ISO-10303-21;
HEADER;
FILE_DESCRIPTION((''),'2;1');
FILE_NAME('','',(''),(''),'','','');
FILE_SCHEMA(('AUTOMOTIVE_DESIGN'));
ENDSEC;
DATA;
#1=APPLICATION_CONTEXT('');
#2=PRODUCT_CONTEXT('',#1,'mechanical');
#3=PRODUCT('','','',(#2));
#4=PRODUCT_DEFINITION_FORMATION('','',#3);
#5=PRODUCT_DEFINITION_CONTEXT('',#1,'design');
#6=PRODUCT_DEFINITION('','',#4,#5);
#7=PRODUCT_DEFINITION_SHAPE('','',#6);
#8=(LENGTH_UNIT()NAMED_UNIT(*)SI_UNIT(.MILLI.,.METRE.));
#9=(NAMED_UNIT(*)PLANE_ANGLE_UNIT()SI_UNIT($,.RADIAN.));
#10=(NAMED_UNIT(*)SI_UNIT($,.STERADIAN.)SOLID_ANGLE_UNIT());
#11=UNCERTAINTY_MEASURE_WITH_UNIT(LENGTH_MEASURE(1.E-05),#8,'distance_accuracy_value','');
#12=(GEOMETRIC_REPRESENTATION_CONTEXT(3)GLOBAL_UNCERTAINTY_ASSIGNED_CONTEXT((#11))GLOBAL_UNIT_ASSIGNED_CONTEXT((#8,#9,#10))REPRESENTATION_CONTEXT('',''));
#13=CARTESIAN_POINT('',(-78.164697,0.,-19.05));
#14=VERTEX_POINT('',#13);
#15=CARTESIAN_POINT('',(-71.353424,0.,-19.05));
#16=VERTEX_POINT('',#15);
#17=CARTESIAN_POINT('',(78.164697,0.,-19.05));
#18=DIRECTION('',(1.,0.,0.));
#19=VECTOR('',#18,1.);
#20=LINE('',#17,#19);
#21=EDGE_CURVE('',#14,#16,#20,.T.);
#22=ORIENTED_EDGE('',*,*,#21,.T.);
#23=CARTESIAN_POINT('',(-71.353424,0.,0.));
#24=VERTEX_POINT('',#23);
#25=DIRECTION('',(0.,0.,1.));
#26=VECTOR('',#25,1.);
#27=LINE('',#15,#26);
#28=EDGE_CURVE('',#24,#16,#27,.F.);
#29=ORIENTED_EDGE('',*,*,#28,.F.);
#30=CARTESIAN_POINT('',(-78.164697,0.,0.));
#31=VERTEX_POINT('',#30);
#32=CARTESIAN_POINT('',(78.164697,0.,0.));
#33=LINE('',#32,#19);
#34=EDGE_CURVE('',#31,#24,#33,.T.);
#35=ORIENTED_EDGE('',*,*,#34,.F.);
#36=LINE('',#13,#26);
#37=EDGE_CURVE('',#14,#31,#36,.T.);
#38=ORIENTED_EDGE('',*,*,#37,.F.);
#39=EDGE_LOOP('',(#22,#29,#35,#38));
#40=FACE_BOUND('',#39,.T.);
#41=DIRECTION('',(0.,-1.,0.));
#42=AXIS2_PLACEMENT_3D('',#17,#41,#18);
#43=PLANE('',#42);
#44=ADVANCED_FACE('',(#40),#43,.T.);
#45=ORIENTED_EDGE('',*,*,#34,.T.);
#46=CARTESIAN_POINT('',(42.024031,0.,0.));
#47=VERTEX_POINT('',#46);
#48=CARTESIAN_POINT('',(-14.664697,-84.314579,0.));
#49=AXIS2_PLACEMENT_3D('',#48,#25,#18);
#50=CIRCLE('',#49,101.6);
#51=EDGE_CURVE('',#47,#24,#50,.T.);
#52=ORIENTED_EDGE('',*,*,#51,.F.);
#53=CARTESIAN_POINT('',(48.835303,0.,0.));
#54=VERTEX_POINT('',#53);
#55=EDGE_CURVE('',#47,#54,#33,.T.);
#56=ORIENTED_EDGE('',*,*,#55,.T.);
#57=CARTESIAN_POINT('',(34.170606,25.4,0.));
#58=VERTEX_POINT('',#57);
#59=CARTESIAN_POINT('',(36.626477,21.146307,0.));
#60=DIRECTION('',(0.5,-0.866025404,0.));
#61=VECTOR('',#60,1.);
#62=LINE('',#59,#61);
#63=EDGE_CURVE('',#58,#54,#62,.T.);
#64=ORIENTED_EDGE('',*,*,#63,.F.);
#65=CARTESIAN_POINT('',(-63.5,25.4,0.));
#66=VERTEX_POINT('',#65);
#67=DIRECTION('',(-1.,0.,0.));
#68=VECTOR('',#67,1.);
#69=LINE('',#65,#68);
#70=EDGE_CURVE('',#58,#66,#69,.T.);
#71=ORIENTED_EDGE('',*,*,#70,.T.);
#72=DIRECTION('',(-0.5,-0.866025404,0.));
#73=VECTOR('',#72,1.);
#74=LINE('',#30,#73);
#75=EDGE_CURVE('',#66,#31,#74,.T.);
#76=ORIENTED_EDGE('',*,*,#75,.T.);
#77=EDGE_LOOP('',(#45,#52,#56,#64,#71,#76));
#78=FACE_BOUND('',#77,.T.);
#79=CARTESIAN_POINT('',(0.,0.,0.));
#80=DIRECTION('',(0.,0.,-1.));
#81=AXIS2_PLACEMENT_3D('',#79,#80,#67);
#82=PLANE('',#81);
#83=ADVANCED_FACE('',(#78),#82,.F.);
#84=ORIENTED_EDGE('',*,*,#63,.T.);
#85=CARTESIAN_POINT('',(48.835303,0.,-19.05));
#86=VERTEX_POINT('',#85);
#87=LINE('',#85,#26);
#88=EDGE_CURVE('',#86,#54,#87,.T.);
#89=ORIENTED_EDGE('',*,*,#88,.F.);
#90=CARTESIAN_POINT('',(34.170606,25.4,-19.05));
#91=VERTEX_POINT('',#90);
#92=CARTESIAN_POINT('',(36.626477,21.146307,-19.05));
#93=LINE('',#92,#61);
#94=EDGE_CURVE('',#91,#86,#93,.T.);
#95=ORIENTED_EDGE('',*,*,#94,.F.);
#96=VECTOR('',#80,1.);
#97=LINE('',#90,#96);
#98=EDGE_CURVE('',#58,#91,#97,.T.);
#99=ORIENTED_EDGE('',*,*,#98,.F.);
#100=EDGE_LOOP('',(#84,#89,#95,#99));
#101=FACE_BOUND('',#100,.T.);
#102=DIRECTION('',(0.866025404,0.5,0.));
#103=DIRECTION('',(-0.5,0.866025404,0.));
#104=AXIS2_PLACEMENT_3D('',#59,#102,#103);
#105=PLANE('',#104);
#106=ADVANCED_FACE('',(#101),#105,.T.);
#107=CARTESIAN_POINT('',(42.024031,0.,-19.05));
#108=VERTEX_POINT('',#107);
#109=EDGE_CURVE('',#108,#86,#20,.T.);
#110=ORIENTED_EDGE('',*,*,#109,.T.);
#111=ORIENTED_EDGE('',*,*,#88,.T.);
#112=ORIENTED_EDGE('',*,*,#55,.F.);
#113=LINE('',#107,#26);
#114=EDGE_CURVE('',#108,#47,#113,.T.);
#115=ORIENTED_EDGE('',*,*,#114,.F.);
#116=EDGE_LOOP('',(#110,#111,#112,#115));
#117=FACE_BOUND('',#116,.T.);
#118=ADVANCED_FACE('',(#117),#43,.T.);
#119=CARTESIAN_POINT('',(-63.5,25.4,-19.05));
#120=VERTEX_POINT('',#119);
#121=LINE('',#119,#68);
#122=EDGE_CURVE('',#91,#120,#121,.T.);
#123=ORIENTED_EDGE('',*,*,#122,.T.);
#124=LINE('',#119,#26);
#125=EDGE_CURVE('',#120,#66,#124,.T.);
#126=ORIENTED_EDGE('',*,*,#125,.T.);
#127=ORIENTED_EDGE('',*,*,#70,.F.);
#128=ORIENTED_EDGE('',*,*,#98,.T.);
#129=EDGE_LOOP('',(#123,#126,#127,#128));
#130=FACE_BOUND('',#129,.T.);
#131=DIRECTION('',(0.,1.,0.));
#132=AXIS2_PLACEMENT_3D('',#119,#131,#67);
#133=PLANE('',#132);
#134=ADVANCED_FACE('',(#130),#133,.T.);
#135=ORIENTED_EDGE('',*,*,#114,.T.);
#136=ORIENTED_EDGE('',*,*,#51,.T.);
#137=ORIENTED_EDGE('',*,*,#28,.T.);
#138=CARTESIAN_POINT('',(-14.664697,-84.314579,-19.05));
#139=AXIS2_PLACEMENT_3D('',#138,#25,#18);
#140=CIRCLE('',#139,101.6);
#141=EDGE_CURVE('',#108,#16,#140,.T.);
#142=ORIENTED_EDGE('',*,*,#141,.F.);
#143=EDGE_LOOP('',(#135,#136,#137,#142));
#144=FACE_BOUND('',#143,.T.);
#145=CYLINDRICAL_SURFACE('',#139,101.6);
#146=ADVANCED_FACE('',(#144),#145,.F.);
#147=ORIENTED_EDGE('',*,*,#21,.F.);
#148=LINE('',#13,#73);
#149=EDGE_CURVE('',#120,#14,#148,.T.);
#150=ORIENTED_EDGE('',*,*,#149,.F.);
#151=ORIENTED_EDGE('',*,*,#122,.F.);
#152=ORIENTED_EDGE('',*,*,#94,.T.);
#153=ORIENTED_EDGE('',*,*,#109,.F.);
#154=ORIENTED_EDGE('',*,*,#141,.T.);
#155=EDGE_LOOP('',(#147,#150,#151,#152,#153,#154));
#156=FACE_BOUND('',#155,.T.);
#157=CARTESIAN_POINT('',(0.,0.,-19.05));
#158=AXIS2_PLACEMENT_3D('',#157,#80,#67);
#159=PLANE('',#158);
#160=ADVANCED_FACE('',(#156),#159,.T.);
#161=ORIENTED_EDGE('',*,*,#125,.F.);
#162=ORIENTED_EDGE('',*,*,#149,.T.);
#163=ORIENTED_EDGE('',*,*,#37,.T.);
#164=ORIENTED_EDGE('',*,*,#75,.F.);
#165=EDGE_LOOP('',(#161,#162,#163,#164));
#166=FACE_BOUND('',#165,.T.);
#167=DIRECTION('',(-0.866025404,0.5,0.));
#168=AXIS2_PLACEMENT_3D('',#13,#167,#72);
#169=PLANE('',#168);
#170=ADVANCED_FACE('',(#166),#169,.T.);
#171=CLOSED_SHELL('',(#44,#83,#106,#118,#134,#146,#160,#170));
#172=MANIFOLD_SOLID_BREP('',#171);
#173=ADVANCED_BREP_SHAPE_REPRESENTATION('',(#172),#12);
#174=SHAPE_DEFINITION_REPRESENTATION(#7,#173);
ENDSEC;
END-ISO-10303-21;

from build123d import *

# Parameters (mm, degrees)
BOSS_EXTRUDE1_DEPTH = 19.05
SKETCH2_W           = 119.77527386
SKETCH2_H           = 145.609156457
CUT_EXTRUDE1_DEPTH  = 25.4
SKETCH3_R           = 101.6
CUT_EXTRUDE2_DEPTH  = 85.36695047


with BuildPart() as part:
    # Sketch1 → Boss-Extrude1 (new body)
    with BuildSketch(Plane.XY):
        Polygon((-78.164696837, 0), (-63.5, 25.4), (63.5, 25.4), (78.164696837, 0), align=None)
    extrude(amount=-BOSS_EXTRUDE1_DEPTH)

    # Sketch2 → Cut-Extrude1 (cut)
    with BuildSketch(Plane(origin=(58.623522628, 33.84630657, 0), x_dir=(0, 0, -1), z_dir=(0.866025403784436, 0.5000000000000047, 0))):
        with Locations((20.492508396, -22.352934086)):
            Rectangle(SKETCH2_W, SKETCH2_H)
    extrude(amount=-CUT_EXTRUDE1_DEPTH, mode=Mode.SUBTRACT)

    # Sketch3 → Cut-Extrude2 (cut, through all)
    with BuildSketch(Plane.XY):
        with Locations((-14.664696837, -84.31457873)):
            Circle(SKETCH3_R)
    extrude(amount=-CUT_EXTRUDE2_DEPTH, mode=Mode.SUBTRACT)


solid = part.part
